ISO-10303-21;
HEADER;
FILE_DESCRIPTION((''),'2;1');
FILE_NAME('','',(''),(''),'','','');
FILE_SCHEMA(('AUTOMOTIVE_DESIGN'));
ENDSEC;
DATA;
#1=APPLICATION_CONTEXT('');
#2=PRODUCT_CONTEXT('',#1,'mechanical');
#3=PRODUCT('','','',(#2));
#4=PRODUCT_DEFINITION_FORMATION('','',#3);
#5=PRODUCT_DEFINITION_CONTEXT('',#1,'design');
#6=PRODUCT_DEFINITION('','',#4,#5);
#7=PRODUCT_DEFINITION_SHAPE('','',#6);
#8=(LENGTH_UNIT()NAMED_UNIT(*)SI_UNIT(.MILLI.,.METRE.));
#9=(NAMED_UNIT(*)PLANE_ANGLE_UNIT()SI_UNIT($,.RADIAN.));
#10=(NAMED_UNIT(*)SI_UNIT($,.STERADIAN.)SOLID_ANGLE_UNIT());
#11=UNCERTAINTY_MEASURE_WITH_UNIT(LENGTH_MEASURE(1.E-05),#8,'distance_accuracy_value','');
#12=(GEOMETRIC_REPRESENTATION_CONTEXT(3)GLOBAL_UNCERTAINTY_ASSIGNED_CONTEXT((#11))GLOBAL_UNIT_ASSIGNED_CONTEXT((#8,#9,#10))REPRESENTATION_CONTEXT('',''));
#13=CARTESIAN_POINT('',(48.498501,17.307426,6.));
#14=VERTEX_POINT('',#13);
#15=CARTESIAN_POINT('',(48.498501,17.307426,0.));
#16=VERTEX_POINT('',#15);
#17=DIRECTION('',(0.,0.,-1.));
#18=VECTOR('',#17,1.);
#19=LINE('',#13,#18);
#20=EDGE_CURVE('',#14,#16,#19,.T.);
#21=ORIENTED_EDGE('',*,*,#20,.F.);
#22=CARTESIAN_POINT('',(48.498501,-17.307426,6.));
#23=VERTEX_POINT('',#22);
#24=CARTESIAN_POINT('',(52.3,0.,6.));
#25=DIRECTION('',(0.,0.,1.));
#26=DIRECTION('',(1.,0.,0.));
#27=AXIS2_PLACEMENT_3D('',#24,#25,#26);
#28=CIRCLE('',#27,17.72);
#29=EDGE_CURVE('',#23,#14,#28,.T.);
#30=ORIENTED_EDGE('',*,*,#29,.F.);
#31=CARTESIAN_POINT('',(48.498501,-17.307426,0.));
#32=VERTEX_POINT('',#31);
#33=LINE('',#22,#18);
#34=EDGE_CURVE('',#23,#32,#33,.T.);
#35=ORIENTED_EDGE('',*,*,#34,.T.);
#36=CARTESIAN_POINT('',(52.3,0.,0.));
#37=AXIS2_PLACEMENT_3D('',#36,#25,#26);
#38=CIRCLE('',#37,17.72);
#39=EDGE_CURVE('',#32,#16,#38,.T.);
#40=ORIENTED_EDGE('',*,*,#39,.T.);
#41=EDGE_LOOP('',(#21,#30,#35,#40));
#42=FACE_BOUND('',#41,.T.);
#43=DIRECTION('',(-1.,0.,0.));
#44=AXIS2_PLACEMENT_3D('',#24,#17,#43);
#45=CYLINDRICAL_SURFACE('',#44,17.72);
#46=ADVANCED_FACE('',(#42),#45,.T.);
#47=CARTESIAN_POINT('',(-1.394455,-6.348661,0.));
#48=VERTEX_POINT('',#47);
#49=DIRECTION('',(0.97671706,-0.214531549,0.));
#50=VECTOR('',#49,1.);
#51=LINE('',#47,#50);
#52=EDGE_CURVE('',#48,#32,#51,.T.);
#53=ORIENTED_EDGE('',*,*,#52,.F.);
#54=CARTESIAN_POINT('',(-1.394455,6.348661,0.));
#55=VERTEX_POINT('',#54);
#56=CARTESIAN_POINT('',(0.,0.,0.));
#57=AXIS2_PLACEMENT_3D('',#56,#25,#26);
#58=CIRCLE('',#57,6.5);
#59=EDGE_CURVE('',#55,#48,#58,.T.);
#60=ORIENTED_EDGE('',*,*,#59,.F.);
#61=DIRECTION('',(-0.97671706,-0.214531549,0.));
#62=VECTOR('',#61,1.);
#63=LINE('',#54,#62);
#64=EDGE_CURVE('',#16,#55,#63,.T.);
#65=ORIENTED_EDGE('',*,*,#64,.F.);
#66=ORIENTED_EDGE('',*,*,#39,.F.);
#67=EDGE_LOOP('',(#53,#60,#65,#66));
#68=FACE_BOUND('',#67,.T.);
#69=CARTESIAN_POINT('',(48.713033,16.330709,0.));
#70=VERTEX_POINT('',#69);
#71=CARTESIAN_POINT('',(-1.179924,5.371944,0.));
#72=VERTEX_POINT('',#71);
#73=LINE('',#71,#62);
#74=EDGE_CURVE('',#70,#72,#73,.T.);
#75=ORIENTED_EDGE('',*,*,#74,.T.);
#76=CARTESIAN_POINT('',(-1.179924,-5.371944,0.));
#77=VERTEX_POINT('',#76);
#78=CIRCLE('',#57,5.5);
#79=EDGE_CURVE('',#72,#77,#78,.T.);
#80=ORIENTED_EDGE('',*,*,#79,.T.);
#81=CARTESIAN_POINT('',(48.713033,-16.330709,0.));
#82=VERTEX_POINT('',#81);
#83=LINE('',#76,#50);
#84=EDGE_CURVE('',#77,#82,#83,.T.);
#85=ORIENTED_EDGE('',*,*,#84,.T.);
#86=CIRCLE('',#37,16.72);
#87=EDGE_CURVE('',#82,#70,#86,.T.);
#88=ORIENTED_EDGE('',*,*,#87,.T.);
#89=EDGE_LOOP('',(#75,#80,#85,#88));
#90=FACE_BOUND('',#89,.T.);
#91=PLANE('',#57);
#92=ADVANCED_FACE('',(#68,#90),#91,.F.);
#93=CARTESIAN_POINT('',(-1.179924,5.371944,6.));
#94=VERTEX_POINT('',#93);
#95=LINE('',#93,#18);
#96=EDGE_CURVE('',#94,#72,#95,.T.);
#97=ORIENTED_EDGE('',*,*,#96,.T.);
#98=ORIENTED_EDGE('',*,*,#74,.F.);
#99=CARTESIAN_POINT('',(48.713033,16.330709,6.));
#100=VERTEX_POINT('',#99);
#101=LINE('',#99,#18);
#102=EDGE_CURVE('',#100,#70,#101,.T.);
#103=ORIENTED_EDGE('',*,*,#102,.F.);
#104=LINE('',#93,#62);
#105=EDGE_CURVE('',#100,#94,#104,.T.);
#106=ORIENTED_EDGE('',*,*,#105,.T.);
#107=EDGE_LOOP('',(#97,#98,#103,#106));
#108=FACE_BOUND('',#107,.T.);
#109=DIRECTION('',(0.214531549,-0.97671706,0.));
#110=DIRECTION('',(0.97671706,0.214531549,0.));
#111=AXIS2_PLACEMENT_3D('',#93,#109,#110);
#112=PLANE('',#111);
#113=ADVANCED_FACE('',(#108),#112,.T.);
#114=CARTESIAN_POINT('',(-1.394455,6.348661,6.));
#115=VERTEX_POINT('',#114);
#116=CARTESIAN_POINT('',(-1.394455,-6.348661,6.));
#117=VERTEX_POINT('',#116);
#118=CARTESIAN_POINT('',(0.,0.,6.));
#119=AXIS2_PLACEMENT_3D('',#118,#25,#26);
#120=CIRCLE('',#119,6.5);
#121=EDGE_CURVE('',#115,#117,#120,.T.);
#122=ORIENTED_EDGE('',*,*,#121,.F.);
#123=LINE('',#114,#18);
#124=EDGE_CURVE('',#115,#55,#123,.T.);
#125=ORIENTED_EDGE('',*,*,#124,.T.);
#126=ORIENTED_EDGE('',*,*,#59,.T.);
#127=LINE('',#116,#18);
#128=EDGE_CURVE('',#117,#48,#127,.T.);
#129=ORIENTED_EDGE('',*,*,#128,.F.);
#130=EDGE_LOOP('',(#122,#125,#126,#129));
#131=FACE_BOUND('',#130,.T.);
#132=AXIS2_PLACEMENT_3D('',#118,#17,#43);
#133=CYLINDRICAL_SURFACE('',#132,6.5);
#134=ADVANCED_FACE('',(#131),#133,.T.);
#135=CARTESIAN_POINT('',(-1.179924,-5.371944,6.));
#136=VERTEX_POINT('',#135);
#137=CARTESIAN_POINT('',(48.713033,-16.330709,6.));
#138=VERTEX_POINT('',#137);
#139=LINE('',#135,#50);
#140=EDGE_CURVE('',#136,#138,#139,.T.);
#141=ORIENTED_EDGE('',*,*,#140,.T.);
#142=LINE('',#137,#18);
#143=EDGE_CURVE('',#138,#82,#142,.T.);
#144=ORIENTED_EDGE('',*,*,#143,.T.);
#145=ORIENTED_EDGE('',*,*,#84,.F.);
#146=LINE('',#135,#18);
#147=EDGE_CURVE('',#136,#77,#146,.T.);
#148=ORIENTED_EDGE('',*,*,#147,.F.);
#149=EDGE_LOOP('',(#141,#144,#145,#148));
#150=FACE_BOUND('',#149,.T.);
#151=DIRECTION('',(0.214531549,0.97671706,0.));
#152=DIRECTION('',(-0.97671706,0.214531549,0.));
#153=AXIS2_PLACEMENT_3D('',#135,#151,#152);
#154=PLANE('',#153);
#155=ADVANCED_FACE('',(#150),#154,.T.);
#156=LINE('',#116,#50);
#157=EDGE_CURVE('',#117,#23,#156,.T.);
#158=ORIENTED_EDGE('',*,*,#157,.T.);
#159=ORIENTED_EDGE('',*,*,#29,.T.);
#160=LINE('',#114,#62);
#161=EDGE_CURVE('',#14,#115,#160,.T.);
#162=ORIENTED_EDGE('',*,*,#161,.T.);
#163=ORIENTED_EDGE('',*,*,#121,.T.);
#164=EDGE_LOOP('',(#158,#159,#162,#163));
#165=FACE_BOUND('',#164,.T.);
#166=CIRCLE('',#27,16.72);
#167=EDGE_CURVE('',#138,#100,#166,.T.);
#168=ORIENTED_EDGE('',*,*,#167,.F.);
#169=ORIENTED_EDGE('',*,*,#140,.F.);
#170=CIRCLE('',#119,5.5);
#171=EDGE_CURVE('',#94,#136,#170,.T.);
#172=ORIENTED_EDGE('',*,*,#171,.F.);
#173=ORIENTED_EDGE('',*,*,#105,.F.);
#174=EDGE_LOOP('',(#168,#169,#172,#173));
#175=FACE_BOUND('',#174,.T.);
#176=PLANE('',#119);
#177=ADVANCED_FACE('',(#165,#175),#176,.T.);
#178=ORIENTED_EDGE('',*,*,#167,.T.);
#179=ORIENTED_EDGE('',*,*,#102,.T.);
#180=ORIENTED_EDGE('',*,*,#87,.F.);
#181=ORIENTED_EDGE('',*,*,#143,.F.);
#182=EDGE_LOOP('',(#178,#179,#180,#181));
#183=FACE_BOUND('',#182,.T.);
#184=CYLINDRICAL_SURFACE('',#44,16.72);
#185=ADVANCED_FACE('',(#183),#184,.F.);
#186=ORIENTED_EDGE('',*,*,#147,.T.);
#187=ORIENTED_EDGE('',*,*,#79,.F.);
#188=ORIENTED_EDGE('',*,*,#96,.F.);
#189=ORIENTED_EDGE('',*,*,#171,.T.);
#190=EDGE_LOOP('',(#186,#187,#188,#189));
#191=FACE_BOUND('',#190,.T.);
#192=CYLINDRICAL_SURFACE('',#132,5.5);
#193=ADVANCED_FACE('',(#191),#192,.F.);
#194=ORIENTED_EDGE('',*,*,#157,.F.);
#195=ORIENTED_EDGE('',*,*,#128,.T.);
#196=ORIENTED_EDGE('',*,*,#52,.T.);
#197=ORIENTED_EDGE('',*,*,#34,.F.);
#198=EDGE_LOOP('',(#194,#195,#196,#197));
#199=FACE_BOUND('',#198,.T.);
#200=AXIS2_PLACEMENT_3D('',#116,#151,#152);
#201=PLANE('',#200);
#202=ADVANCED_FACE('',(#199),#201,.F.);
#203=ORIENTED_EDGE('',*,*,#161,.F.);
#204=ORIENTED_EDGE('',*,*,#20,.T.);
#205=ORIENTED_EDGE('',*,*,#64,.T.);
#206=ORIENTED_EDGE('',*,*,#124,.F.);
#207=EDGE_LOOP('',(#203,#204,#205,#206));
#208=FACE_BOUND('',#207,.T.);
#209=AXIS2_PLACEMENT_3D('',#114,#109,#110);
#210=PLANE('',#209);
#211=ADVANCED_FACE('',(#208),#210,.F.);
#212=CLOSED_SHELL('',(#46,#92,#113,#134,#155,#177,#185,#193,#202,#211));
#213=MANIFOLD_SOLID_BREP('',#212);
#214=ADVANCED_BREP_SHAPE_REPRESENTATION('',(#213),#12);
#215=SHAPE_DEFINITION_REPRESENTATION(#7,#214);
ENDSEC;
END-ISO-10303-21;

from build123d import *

# Parameters (mm, degrees)
SALIENTE_EXTRUIR1_DEPTH = 6


with BuildPart() as part:
    # Croquis1 → Saliente-Extruir1 (new body)
    with BuildSketch(Plane.XY):
        with BuildLine():
            Line((-1.394455067, 6.348660888), (48.498500956, 17.307426297))
            ThreePointArc((48.498500956, 17.307426297), (70.02, 0), (48.498500956, -17.307426297))
            Line((48.498500956, -17.307426297), (-1.394455067, -6.348660888))
            ThreePointArc((-1.394455067, -6.348660888), (-6.5, 0), (-1.394455067, 6.348660888))
        make_face()
        with BuildLine():
            Line((-1.179923518, 5.371943828), (48.713032505, 16.330709237))
            ThreePointArc((48.713032505, 16.330709237), (69.02, 0), (48.713032505, -16.330709237))
            Line((48.713032505, -16.330709237), (-1.179923518, -5.371943828))
            ThreePointArc((-1.179923518, -5.371943828), (-5.5, 0), (-1.179923518, 5.371943828))
        make_face(mode=Mode.SUBTRACT)
    extrude(amount=SALIENTE_EXTRUIR1_DEPTH)


solid = part.part
